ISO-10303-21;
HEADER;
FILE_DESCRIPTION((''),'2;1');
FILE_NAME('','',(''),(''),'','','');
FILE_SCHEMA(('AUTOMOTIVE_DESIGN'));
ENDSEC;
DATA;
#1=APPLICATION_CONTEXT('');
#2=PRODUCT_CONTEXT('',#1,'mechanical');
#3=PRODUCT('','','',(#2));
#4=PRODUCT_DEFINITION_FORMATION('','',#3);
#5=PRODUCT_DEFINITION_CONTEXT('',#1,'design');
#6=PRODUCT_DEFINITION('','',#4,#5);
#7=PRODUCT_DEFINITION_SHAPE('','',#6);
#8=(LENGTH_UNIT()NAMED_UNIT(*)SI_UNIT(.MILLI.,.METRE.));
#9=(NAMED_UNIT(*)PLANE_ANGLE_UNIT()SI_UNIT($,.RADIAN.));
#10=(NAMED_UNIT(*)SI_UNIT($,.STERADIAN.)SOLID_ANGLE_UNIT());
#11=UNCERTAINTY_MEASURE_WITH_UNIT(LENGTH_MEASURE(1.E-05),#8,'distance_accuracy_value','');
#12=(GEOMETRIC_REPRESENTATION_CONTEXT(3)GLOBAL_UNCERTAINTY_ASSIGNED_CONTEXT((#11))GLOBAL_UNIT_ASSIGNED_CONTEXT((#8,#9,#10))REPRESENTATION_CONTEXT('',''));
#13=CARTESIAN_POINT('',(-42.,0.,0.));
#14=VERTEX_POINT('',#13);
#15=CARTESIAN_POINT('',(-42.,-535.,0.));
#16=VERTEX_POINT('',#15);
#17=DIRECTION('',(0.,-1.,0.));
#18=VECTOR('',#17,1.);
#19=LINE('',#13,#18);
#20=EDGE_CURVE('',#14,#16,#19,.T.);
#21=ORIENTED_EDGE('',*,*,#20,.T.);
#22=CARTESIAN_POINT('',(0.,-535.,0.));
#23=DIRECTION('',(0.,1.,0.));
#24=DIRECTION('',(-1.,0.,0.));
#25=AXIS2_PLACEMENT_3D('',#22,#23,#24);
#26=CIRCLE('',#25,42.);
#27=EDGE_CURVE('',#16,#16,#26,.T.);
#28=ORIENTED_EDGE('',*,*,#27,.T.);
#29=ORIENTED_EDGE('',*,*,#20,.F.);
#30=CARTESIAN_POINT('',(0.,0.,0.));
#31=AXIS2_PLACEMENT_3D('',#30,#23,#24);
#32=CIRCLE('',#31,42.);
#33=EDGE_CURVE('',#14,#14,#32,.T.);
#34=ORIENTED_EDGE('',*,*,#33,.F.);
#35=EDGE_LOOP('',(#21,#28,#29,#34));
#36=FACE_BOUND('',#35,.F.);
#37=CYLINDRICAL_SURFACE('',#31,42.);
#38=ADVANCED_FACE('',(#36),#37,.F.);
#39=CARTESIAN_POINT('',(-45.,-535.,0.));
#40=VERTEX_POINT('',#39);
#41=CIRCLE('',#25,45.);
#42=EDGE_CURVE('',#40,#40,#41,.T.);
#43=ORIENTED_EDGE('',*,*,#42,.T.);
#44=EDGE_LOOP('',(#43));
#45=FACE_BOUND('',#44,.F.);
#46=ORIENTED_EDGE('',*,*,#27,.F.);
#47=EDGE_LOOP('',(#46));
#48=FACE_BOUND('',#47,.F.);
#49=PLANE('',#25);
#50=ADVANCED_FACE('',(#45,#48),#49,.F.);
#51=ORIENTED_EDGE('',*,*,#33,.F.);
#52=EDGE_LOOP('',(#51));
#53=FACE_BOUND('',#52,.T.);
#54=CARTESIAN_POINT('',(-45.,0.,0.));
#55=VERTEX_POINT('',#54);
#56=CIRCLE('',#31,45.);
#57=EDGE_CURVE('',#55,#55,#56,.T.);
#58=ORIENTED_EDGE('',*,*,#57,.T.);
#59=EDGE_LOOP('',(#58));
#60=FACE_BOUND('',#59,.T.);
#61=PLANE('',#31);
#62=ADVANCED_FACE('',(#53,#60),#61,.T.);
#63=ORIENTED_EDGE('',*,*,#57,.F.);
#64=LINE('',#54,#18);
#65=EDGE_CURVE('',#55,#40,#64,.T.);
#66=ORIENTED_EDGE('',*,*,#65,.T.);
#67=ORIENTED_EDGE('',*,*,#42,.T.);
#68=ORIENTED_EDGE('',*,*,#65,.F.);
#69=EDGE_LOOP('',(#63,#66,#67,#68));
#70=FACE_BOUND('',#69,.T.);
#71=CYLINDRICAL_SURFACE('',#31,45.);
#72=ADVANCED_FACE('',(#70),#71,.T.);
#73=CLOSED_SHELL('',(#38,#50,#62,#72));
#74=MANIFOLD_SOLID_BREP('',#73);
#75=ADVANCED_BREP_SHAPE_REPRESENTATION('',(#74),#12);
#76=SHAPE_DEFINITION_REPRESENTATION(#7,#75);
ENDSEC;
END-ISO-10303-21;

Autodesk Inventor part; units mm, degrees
ref_plane "YZ Plane" through (0, 0, 0) normal (1, 0, 0) x (0, 1, 0)
ref_plane "XZ Plane" through (0, 0, 0) normal (0, 1, 0) x (-1, 0, 0)
ref_plane "XY Plane" through (0, 0, 0) normal (0, 0, 1) x (1, 0, 0)
sketch "Sketch1" plane through (0, 0, 0) normal (0, 1, 0) x (-1, 0, 0)
  circle A0 centre (0, 0) radius 45
  circle A1 centre (0, 0) radius 42
  dimension "d0" = 90
  dimension "d1" = 3
extrude "Extrusion1" add sketch "Sketch1" against normal blind 535
properties part number "PNS 753 FDS tube" material "Steel"
